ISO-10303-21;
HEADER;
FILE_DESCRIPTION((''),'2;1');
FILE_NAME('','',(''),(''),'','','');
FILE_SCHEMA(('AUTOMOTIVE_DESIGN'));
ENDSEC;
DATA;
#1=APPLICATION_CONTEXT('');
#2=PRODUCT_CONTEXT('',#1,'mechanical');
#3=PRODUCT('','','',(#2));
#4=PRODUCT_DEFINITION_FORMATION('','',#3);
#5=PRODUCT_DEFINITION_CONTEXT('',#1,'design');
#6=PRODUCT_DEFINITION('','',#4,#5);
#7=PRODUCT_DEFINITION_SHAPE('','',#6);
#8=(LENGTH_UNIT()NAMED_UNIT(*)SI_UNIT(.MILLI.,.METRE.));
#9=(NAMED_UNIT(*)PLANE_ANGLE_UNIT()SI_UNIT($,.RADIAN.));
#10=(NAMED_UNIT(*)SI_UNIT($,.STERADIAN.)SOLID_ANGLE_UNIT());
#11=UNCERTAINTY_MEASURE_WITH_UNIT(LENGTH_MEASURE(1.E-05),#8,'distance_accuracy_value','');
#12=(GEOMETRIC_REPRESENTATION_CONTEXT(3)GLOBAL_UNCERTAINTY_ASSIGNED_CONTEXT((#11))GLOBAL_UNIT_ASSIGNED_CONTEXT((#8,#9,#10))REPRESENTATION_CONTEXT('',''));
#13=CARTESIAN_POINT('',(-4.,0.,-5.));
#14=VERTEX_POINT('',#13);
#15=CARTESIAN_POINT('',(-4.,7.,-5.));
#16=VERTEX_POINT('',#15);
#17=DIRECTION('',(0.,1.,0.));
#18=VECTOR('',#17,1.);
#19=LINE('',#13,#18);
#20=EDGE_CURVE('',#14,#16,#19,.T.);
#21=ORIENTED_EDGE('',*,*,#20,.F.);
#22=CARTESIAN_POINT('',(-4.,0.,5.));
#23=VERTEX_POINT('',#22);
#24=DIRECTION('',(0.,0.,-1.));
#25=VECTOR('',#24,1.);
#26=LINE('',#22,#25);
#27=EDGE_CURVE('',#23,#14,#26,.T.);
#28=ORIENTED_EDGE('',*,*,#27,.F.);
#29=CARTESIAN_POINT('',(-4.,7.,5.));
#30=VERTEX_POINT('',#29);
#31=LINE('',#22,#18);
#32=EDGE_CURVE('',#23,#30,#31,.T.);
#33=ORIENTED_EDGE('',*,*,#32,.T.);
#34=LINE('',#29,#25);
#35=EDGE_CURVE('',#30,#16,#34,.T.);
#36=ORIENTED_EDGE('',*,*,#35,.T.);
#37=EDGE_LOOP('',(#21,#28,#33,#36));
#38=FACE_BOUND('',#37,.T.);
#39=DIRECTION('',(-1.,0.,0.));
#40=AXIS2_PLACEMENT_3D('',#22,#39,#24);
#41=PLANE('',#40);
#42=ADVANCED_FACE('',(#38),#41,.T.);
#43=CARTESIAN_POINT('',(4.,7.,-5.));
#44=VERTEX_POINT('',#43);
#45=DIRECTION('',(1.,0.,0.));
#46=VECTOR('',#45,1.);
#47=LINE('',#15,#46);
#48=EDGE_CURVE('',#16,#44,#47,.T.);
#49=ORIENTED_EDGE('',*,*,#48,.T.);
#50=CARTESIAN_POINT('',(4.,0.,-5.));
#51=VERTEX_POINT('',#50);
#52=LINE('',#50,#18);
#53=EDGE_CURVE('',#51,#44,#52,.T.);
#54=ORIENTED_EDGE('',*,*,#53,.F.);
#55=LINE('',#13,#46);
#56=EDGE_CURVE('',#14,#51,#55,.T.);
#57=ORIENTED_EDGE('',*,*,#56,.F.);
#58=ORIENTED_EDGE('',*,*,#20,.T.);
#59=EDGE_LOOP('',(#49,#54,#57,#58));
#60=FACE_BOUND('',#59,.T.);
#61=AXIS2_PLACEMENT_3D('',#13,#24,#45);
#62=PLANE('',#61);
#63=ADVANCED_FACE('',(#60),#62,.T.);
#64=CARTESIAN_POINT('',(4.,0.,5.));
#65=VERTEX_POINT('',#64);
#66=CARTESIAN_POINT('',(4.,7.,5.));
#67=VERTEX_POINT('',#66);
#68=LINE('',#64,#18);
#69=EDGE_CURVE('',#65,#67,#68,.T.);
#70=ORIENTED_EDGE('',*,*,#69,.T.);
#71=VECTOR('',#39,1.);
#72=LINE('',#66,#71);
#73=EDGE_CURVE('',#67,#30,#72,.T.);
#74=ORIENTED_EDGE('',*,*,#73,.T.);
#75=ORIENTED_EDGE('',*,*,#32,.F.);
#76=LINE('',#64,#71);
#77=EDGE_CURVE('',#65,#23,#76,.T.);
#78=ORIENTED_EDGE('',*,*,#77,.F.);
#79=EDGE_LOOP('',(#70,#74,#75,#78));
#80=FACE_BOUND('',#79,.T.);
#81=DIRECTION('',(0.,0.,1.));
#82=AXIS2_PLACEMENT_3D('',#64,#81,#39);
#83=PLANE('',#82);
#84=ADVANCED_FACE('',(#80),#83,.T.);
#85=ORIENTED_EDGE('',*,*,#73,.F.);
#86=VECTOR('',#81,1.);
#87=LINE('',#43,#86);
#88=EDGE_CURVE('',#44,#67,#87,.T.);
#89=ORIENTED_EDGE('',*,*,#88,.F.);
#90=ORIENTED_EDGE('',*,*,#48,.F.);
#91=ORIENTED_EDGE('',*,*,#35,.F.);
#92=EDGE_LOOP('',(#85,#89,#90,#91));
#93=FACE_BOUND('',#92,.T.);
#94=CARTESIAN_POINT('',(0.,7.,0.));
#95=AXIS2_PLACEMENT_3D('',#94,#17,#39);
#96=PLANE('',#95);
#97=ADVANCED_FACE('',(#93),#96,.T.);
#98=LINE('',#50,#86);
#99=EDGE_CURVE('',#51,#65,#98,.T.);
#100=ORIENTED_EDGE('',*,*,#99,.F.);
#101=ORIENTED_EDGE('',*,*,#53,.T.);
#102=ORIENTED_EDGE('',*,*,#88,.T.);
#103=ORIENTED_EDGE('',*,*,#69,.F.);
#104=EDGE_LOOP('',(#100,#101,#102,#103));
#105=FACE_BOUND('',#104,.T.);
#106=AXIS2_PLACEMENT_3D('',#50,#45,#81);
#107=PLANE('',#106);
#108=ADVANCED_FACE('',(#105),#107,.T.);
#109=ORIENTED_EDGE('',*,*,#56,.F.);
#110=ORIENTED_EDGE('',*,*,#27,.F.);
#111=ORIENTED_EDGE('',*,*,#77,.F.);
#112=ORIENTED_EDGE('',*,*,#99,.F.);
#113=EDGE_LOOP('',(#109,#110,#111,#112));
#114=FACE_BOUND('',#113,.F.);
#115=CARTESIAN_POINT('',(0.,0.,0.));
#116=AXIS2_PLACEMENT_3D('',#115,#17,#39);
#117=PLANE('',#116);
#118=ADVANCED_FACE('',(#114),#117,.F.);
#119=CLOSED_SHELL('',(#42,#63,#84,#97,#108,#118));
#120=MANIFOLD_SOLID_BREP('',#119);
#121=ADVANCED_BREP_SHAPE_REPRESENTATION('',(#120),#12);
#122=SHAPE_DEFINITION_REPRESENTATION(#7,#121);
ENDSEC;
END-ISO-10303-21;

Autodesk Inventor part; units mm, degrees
ref_plane "YZ Plane" through (0, 0, 0) normal (1, 0, 0) x (0, 1, 0)
ref_plane "XZ Plane" through (0, 0, 0) normal (0, 1, 0) x (-1, 0, 0)
ref_plane "XY Plane" through (0, 0, 0) normal (0, 0, 1) x (1, 0, 0)
sketch "Sketch1" plane through (0, 0, 0) normal (0, 1, 0) x (-1, 0, 0)
  line L0 (4, -5) -> (-4, -5)
  line L1 (-4, -5) -> (-4, 5)
  line L2 (-4, 5) -> (4, 5)
  line L3 (4, 5) -> (4, -5)
  line L4 (4, -5) -> (-4, 5) construction
  line L5 (-4, -5) -> (4, 5) construction
  point P0 (0, 0)
  dimension "d0" = 8
  dimension "d1" = 10
extrude "Extrusion1" add sketch "Sketch1" along normal blind 7
ref_plane "Work Plane2" through (-4, 0, 0) normal (0, 0, 1) x (1, 0, 0)
ref_plane "Work Plane1" through (0, 2.5, 0) normal (0, -1, 0) x (1, 0, 0)
ref_plane "Work Plane3" through (0, 0, 5) normal (1, 0, 0) x (0, 0, -1)
properties part number "KTN1"
